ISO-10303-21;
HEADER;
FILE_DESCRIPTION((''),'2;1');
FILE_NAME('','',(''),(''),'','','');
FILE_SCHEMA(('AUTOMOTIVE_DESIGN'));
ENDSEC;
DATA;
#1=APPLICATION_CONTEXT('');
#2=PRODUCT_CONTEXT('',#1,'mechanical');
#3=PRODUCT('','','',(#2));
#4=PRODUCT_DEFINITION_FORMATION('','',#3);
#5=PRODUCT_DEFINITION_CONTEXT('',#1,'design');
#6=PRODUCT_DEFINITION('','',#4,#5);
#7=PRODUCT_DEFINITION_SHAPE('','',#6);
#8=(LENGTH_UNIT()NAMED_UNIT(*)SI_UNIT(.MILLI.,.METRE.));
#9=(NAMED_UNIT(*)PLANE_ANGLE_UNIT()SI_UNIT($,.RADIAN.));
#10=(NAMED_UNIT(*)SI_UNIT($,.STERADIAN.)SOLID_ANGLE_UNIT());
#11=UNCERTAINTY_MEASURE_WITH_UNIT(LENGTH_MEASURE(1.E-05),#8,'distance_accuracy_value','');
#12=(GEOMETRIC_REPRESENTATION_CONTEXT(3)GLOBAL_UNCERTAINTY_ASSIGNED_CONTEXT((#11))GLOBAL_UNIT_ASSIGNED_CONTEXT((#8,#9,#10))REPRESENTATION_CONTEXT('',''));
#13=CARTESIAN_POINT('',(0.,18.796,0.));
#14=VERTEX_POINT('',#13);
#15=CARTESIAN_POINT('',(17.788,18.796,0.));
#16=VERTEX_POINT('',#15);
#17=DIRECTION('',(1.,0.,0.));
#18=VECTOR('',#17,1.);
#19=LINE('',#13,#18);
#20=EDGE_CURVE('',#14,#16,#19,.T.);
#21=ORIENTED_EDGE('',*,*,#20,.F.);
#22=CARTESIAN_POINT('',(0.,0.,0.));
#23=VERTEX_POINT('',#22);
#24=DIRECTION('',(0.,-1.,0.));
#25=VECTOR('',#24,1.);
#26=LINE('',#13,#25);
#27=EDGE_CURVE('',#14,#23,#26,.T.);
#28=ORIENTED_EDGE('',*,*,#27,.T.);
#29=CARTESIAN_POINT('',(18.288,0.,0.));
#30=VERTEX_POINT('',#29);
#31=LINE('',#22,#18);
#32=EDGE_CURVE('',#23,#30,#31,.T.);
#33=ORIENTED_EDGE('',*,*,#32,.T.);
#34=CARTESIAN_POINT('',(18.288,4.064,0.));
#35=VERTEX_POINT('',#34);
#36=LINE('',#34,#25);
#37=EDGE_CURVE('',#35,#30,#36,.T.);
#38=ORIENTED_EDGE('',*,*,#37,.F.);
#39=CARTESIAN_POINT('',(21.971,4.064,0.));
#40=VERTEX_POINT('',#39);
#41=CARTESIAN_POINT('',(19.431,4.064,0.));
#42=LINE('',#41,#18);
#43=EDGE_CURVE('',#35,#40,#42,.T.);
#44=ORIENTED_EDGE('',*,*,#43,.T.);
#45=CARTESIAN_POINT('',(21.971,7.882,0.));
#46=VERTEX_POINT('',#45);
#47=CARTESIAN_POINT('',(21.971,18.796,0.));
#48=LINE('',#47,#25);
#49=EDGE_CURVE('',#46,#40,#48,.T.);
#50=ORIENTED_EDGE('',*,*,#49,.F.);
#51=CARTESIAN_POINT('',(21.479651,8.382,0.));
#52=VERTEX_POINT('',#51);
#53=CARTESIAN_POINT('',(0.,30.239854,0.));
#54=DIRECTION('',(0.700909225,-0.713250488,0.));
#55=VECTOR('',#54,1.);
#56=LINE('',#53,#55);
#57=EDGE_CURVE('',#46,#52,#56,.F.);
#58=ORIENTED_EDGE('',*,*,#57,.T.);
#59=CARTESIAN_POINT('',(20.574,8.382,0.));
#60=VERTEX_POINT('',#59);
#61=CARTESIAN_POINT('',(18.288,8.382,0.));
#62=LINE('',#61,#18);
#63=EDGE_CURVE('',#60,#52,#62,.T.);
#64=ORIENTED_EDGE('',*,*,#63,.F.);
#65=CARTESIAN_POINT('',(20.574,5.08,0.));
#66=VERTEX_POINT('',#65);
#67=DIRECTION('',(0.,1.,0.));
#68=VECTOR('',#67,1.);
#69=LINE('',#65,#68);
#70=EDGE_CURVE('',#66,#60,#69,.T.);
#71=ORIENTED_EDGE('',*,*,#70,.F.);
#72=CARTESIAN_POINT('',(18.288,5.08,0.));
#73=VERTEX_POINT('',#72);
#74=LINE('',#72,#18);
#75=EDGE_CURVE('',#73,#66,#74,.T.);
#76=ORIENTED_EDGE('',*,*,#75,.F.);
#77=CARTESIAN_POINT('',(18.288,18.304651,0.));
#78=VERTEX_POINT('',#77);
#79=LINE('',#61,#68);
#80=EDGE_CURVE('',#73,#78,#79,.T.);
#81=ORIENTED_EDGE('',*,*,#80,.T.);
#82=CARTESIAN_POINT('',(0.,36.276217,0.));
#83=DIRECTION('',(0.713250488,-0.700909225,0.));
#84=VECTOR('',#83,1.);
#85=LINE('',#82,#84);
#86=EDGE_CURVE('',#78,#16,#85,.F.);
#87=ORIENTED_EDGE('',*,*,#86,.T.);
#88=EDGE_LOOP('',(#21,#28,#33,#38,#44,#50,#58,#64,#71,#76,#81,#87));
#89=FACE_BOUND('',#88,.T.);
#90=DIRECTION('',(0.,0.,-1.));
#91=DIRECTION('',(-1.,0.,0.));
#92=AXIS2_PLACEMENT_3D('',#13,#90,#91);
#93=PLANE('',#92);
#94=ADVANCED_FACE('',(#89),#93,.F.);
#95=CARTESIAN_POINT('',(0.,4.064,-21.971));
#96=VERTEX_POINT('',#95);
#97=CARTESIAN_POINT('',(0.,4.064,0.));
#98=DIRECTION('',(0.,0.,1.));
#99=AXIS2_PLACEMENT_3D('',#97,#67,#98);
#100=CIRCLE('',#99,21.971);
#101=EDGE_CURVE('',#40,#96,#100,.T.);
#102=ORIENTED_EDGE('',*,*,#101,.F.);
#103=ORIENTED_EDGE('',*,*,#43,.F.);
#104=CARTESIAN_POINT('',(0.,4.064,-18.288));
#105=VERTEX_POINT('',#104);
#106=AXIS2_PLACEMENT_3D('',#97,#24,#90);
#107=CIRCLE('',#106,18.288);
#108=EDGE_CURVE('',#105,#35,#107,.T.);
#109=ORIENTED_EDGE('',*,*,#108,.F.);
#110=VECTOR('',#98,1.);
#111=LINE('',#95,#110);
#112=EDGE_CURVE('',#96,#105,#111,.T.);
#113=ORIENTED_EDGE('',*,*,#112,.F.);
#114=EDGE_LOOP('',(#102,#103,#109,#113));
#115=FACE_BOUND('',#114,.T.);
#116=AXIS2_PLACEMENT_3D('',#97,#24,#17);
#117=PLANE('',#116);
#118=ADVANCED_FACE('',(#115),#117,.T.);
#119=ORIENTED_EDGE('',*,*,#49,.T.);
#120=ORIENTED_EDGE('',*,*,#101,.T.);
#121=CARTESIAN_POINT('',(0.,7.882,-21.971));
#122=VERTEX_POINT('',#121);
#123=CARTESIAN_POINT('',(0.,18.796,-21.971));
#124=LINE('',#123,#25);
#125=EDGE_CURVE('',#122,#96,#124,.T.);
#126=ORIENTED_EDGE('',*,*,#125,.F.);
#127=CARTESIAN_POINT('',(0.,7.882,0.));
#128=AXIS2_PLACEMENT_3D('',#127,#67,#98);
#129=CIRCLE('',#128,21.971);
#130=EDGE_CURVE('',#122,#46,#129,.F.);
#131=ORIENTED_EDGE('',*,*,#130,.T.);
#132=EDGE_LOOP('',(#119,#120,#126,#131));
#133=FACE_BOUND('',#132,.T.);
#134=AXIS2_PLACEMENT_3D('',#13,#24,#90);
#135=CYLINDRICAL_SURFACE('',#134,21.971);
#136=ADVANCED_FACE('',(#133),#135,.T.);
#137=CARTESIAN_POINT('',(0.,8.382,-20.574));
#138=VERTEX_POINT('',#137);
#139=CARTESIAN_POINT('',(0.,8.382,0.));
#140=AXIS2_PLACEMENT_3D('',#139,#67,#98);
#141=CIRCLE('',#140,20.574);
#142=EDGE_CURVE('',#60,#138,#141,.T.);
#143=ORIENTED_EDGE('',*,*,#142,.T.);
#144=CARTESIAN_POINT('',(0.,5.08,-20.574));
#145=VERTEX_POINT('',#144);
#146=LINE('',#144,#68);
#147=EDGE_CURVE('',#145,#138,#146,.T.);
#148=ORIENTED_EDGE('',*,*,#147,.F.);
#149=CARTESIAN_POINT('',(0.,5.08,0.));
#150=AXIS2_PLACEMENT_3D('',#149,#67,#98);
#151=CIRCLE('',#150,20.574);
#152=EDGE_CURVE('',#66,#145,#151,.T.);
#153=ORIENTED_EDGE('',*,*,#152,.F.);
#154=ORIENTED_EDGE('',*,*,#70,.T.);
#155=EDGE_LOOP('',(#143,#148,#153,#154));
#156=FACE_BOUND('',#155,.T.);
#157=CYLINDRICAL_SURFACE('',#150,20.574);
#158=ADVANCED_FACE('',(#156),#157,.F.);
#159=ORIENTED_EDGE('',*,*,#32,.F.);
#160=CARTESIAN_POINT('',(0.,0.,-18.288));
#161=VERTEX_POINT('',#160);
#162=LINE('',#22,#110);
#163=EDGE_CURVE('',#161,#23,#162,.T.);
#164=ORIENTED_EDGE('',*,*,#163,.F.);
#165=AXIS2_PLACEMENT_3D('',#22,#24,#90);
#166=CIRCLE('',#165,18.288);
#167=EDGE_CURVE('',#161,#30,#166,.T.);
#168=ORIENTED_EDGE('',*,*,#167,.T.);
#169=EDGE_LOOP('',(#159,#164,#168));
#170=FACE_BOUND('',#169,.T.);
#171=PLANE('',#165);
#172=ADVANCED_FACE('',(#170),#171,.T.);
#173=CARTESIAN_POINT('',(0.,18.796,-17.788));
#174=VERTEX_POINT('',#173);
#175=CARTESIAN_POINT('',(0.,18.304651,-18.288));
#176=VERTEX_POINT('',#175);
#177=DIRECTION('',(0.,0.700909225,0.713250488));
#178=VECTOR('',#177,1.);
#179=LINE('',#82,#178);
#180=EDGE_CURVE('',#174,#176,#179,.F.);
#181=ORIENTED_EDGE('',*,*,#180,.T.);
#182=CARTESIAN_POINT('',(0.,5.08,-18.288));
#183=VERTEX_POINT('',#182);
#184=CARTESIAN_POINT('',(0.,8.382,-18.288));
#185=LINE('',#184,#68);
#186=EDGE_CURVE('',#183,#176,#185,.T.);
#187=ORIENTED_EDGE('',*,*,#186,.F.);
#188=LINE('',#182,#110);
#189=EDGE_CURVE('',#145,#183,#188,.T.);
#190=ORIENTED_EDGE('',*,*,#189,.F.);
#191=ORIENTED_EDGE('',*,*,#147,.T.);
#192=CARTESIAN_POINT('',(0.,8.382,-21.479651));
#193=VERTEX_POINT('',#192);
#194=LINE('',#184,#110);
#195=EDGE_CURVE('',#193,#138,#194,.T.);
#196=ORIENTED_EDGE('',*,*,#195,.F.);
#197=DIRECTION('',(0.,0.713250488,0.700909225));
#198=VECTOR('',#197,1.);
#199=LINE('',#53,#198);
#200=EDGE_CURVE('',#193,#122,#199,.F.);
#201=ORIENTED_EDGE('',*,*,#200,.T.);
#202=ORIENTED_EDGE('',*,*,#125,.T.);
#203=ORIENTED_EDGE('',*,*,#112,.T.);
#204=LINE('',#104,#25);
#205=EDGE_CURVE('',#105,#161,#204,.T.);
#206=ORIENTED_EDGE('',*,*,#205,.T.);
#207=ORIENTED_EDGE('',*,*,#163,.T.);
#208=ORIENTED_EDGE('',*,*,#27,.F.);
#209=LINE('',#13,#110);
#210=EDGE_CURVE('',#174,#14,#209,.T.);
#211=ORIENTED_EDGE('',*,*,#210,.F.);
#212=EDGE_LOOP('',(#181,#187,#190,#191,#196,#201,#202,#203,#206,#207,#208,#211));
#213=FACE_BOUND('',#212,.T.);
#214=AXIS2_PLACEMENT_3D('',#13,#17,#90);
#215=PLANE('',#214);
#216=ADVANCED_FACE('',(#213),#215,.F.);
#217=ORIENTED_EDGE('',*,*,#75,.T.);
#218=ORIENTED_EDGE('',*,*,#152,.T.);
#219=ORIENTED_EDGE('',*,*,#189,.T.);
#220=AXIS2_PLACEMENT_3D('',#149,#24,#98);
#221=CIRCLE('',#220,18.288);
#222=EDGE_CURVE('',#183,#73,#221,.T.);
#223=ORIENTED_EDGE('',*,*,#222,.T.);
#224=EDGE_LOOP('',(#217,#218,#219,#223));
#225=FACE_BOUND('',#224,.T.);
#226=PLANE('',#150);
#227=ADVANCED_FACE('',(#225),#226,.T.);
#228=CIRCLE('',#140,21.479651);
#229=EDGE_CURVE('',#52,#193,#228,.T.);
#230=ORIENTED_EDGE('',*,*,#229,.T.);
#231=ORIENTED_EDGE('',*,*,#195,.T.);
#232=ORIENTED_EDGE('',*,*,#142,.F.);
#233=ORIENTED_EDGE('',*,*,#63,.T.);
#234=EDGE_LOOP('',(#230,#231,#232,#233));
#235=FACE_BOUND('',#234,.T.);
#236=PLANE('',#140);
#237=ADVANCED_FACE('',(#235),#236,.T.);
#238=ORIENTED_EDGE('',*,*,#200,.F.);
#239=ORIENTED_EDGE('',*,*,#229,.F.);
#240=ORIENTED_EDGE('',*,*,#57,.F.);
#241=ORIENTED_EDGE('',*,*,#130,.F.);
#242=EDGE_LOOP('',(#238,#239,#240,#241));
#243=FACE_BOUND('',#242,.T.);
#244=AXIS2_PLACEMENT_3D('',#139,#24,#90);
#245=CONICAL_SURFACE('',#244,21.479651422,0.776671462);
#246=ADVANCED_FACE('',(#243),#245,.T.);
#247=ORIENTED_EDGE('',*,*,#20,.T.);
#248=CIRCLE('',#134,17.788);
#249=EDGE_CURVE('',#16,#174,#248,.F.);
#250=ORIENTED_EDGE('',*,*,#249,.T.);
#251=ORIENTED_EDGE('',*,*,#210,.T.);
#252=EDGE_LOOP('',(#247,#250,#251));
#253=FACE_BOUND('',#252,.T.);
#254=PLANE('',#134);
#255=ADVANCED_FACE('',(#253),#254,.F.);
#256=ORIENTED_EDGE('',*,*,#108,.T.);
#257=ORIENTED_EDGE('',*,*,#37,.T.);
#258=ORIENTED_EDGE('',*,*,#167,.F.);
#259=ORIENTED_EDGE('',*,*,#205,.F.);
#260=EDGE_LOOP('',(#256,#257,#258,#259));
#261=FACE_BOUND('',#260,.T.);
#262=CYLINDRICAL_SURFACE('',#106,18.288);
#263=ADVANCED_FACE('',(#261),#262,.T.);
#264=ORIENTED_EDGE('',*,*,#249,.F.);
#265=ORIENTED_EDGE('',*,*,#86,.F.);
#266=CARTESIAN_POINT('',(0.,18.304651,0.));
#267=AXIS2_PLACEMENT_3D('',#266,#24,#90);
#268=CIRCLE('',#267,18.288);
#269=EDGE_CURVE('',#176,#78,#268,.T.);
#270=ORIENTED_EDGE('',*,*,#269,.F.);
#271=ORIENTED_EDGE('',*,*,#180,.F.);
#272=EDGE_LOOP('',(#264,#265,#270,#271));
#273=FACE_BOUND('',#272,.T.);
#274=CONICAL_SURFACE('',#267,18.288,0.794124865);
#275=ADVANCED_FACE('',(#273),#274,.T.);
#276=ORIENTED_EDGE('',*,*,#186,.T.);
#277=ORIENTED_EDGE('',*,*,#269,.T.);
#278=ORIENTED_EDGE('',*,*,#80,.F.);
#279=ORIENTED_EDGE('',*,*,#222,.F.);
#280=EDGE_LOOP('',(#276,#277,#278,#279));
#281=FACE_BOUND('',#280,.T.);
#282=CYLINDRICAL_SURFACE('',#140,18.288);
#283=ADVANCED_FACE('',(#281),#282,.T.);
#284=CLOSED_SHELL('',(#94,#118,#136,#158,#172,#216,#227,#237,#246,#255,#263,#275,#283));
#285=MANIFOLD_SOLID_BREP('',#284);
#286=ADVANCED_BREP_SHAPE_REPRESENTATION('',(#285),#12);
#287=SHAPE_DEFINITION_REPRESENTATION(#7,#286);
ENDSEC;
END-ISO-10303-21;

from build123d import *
from OCP.BRepFilletAPI import BRepFilletAPI_MakeChamfer

# Parameters (mm, degrees)
BOSS_EXTRUDE3_DEPTH     = 18.796
CUT_EXTRUDE1_START      = -10.414
CUT_EXTRUDE1_DEPTH      = 10.414
CUT_EXTRUDE_THIN1_DEPTH = 4.064
CUT_EXTRUDE2_START      = -3.302
CUT_EXTRUDE2_DEPTH      = 3.302
CHAMFER1_SIZE           = 0.5
CHAMFER1_SIZE2          = 0.491348578


with BuildPart() as part:
    # Sketch2 → Boss-Extrude3 (new body)
    with BuildSketch(Plane(origin=(0, 0, 0), x_dir=(1, 0, 0), z_dir=(0, 1, 0))):
        with BuildLine():
            Line((0, 0), (0, 21.971))
            ThreePointArc((0, 21.971), (15.535843089, 15.535843089), (21.971, 0))
            Line((21.971, 0), (0, 0))
        make_face()
    extrude(amount=BOSS_EXTRUDE3_DEPTH)

    # Sketch4 → Cut-Extrude1 (cut)
    with BuildSketch(Plane(origin=(0, 18.796, 0), x_dir=(1, 0, 0), z_dir=(0, 1, 0)).offset(CUT_EXTRUDE1_START)):
        with BuildLine():
            Line((18.288, 0), (21.971, 0))
            ThreePointArc((21.971, 0), (15.535843089, 15.535843089), (0, 21.971))
            Line((0, 21.971), (0, 18.288))
            ThreePointArc((0, 18.288), (12.931568814, 12.931568814), (18.288, 0))
        make_face()
    extrude(amount=CUT_EXTRUDE1_DEPTH, mode=Mode.SUBTRACT)

    # Sketch5 → Cut-Extrude-Thin1 (cut)
    with BuildSketch(Plane.XZ):
        with BuildLine():
            ThreePointArc((21.971, 0), (15.535843089, -15.535843089), (0, -21.971))
            Line((0, -21.971), (0, -19.431))
            ThreePointArc((0, -19.431), (13.739791865, -13.739791865), (19.431, 0))
            Line((19.431, 0), (21.971, 0))
        make_face()
        with BuildLine():
            ThreePointArc((0, -18.288), (12.931568814, -12.931568814), (18.288, 0))
            Line((18.288, 0), (20.828, 0))
            ThreePointArc((20.828, 0), (14.727620039, -14.727620039), (0, -20.828))
            Line((0, -20.828), (0, -18.288))
        make_face()
    extrude(amount=-CUT_EXTRUDE_THIN1_DEPTH, mode=Mode.SUBTRACT)

    # Sketch6 → Cut-Extrude2 (cut)
    with BuildSketch(Plane(origin=(0, 8.382, 0), x_dir=(1, 0, 0), z_dir=(0, 1, 0)).offset(CUT_EXTRUDE2_START)):
        with BuildLine():
            Line((0, 18.288), (0, 20.574))
            ThreePointArc((0, 20.574), (14.548014916, 14.548014916), (20.574, 0))
            Line((20.574, 0), (18.288, 0))
            ThreePointArc((18.288, 0), (12.931568814, 12.931568814), (0, 18.288))
        make_face()
    extrude(amount=CUT_EXTRUDE2_DEPTH, mode=Mode.SUBTRACT)

    # Chamfer1: one chamfer whose edges measure the first distance from different faces: ONE call of the kernel's chamfer builder (chamfer() names one face for all edges)
    chamfer1_edges_1 = [part.edges().sort_by_distance(p)[0] for p in [
        (15.535843089, 8.382, -15.535843089),
    ]]
    chamfer1_side_1 = [part.faces().sort_by_distance(p)[0] for p in [
        (15.535843089, 6.223, -15.535843089),
    ]]
    chamfer1_edges_2 = [part.edges().sort_by_distance(p)[0] for p in [
        (12.931568814, 18.796, -12.931568814),
    ]]
    chamfer1_side_2 = [part.faces().sort_by_distance(p)[0] for p in [
        (7.761668265, 18.796, -7.761668265),
    ]]
    chamfer1 = BRepFilletAPI_MakeChamfer(part.part.solid().wrapped)
    for e in chamfer1_edges_1:
        chamfer1.Add(CHAMFER1_SIZE, CHAMFER1_SIZE2, e.wrapped, chamfer1_side_1[0].wrapped)  # the first distance lies on this face
    for e in chamfer1_edges_2:
        chamfer1.Add(CHAMFER1_SIZE, CHAMFER1_SIZE2, e.wrapped, chamfer1_side_2[0].wrapped)  # the first distance lies on this face
    add(Compound.cast(chamfer1.Shape()), mode=Mode.REPLACE)


solid = part.part
